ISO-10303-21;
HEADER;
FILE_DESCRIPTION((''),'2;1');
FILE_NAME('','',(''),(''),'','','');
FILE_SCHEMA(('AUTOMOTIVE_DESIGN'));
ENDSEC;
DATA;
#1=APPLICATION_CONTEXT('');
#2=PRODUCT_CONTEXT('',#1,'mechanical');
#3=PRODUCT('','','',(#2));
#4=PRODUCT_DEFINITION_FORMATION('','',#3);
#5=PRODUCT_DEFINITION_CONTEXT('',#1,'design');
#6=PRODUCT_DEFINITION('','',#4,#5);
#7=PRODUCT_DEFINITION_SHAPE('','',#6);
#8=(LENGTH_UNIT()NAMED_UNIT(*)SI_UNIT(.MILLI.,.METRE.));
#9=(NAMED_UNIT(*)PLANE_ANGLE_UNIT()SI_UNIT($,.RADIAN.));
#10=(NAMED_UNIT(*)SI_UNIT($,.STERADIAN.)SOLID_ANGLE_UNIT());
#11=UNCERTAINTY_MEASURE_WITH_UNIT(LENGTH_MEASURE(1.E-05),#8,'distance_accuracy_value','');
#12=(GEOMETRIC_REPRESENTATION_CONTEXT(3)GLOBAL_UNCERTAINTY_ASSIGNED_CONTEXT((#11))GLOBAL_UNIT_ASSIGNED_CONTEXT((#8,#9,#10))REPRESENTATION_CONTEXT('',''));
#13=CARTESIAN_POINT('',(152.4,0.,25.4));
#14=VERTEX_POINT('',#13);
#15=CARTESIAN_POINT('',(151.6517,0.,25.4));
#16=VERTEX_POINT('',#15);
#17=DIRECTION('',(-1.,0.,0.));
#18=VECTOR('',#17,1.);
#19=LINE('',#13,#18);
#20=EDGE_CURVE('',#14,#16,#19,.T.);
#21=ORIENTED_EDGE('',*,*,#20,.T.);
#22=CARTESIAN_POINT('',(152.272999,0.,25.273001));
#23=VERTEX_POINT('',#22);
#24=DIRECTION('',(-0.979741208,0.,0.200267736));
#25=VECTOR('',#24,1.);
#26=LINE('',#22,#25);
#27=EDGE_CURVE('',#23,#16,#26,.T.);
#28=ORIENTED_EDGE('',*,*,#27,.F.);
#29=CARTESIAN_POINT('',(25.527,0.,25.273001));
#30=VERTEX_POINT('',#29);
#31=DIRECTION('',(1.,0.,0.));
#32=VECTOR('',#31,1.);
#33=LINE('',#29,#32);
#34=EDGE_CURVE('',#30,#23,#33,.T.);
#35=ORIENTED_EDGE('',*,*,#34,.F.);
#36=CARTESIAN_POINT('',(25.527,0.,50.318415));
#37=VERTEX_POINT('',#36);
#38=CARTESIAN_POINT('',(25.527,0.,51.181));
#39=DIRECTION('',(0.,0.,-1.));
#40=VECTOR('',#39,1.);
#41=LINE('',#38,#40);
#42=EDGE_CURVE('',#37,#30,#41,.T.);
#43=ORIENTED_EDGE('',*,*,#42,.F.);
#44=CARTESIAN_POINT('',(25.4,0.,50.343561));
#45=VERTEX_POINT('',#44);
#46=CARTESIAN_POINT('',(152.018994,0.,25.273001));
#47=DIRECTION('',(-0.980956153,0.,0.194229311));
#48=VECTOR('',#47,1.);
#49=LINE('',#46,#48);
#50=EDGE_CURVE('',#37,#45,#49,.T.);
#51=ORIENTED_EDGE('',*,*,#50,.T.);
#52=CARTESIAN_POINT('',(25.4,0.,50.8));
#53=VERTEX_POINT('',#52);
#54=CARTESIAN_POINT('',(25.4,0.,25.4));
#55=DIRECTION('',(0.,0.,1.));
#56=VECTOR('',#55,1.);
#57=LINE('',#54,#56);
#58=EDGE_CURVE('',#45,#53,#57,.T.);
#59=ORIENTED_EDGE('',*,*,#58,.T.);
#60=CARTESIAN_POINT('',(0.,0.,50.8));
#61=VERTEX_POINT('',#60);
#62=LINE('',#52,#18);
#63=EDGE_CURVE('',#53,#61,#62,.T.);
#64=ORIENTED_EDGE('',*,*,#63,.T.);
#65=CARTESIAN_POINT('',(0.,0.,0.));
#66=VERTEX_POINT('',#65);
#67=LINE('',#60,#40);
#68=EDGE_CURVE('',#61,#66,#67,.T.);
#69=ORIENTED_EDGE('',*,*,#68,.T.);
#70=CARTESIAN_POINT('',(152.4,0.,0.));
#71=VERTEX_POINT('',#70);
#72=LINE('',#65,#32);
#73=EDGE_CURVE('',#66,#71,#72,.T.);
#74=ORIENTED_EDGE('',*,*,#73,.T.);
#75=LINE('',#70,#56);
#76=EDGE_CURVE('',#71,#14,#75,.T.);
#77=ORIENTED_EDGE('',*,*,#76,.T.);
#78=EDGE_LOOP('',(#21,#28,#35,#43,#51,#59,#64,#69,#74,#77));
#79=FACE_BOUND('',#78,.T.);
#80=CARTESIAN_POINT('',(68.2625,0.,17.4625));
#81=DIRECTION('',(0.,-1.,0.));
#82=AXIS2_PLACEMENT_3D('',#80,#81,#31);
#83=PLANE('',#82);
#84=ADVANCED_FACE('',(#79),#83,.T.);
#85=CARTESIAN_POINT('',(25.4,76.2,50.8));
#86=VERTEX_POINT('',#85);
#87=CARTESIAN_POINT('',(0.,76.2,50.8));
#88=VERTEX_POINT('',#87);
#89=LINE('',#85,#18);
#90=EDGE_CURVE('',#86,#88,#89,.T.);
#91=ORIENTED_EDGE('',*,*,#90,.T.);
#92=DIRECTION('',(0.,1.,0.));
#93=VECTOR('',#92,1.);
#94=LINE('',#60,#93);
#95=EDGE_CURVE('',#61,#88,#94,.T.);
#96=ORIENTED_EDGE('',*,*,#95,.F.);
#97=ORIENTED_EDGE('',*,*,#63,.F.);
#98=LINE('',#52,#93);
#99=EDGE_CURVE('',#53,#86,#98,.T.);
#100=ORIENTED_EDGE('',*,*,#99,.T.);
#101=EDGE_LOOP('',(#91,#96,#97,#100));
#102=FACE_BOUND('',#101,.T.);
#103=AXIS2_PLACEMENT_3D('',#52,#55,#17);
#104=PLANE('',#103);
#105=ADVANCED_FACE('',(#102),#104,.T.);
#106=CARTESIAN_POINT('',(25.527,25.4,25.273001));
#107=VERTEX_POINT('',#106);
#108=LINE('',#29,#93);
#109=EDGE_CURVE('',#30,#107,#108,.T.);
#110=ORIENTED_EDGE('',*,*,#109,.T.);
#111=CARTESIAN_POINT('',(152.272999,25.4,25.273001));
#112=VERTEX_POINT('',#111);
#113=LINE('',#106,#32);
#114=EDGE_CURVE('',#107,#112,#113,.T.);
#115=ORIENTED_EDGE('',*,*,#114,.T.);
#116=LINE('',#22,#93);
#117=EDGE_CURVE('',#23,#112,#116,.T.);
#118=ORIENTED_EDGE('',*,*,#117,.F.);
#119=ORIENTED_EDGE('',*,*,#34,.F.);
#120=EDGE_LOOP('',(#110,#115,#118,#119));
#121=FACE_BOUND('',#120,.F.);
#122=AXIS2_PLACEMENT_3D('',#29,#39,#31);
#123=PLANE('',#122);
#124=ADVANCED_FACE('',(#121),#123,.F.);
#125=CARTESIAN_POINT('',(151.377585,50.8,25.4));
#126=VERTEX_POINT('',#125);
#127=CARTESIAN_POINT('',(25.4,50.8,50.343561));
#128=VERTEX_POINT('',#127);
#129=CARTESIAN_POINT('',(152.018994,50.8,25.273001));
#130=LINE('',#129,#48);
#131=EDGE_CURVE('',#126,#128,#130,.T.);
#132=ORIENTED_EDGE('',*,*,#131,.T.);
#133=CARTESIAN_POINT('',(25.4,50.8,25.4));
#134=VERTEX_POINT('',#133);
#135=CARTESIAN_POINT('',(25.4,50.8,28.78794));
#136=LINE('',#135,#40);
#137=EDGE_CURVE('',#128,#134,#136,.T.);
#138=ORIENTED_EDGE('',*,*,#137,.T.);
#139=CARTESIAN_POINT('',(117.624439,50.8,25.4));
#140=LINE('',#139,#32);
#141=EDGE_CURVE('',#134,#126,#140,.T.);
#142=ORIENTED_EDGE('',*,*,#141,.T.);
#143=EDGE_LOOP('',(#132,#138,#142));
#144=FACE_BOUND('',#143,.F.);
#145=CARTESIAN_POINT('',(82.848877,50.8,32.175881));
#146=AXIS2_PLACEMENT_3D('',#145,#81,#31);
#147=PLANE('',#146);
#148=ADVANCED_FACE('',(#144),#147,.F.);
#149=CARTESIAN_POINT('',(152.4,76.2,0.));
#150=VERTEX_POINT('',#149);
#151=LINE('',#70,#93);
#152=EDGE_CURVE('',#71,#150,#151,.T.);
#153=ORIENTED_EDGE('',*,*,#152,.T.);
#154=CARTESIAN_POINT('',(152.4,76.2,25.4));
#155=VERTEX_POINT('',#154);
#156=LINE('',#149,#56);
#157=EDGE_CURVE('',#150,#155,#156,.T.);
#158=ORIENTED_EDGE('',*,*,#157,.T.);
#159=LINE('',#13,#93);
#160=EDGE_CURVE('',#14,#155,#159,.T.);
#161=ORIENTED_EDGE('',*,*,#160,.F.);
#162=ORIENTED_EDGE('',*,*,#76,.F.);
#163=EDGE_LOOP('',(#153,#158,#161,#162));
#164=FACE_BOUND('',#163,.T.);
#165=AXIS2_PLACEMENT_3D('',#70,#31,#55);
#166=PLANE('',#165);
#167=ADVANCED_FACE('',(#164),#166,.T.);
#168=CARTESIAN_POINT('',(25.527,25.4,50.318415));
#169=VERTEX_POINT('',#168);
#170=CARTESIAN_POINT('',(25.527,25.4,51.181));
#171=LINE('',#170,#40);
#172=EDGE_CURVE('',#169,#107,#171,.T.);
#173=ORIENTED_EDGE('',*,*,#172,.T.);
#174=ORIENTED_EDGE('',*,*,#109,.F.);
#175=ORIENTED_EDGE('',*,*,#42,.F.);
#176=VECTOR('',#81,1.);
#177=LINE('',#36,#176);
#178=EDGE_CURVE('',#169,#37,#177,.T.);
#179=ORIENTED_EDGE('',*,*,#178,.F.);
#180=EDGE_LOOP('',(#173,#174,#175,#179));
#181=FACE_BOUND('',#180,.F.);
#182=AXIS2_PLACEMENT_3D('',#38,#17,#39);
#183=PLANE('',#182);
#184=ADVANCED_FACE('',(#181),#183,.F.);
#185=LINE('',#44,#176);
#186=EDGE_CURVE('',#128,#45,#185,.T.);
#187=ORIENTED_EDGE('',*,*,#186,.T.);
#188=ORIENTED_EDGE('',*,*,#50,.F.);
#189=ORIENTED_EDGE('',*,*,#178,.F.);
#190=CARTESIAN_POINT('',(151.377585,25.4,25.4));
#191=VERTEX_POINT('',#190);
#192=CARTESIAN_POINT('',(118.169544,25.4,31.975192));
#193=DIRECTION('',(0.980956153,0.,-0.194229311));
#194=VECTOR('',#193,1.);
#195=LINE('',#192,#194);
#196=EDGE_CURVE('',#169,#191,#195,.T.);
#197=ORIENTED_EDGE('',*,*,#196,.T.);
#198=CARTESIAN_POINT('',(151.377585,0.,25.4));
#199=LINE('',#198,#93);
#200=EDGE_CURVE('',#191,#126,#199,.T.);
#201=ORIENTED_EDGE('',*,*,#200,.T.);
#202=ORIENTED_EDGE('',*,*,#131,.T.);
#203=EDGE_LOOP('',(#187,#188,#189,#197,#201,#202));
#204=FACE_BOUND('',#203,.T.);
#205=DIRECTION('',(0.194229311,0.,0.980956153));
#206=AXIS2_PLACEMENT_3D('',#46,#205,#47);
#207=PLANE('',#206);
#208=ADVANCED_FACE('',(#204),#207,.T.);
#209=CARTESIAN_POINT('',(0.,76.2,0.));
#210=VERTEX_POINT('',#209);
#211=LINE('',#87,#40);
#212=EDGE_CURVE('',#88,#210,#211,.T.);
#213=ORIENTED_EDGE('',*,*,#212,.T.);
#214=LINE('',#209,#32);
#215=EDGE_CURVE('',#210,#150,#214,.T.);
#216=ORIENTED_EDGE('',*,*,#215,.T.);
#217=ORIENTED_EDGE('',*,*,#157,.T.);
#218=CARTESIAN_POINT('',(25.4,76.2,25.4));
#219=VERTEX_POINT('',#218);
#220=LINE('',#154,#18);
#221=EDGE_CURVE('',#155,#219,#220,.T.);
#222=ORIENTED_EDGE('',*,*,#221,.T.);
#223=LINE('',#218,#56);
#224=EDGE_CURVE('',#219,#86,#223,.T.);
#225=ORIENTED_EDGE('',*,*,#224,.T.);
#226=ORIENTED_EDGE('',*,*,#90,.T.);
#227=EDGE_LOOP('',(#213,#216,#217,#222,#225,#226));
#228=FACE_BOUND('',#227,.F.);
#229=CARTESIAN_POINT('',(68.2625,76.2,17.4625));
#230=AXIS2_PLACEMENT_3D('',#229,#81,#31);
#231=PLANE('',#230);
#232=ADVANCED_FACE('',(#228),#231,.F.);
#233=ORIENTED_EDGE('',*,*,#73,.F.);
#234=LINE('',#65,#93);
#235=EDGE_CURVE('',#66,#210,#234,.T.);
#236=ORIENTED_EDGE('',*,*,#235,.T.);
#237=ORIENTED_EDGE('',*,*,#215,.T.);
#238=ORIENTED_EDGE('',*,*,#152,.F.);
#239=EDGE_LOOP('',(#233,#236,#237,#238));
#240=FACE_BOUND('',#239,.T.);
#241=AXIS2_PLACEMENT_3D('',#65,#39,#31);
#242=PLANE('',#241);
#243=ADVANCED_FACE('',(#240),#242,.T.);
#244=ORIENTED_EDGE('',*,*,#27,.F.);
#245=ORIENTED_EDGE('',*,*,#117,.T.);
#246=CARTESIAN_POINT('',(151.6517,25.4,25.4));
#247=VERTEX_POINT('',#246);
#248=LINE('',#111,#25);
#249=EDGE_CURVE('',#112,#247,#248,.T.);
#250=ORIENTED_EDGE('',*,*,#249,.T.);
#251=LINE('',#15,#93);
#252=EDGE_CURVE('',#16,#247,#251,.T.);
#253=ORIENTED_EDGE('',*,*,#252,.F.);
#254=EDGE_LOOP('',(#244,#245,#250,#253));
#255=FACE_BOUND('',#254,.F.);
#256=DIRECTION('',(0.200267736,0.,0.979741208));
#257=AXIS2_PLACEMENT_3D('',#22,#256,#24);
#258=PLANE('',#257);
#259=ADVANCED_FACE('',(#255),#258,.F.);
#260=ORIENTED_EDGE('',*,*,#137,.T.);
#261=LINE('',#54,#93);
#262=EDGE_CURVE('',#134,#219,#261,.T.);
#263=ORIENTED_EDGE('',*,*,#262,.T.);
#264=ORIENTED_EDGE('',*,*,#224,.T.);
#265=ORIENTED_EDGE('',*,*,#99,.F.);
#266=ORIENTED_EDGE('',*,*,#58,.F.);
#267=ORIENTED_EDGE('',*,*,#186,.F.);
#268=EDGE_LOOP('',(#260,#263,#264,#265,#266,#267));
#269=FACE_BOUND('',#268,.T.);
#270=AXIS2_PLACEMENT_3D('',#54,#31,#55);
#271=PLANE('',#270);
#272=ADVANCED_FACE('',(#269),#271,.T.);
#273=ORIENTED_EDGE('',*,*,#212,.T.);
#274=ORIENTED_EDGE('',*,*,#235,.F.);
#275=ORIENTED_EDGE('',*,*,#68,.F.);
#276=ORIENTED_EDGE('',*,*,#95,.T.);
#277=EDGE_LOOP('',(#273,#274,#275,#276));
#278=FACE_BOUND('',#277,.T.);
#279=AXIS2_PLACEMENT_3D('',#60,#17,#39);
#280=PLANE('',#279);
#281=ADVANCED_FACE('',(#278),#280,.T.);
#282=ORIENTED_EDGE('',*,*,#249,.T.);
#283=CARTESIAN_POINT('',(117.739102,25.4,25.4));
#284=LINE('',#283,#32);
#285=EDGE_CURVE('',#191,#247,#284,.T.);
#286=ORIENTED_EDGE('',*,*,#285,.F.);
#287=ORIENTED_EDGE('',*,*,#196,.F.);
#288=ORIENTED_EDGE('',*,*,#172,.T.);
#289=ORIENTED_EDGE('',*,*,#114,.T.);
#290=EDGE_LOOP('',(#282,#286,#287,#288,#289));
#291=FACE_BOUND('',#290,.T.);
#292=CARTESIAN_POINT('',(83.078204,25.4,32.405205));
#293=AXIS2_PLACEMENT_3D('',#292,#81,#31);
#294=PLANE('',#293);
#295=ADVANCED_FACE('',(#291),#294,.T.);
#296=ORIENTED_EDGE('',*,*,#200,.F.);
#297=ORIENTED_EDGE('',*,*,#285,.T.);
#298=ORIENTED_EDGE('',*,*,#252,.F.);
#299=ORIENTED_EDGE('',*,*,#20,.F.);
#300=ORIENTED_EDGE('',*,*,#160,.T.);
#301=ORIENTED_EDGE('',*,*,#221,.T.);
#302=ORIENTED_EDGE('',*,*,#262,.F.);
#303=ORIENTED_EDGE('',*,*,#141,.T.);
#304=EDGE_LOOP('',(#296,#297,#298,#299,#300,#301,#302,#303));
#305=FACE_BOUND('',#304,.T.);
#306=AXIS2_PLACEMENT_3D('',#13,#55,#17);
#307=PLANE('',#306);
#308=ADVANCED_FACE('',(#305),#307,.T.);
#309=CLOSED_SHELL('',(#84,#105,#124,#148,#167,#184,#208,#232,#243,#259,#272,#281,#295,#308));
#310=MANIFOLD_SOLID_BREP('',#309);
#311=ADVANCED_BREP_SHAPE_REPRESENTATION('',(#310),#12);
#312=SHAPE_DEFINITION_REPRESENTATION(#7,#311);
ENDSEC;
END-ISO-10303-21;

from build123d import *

# Parameters (mm, degrees)
F1_DEPTH = 76.2
F3_DEPTH = 50.8
F5_DEPTH = 25.4


with BuildPart() as f1:
    # F0 (on Front) → F1 (new body)
    with BuildSketch(Plane.XZ):
        Polygon((0, 50.8), (0, 0), (152.4, 0), (152.4, 25.4), (25.4, 25.4), (25.4, 50.8), align=None)
    extrude(amount=-F1_DEPTH)

    # F2 (on Front) → F3 (join)
    with BuildSketch(Plane.XZ):
        Polygon((25.018999, 50.418999), (25.018999, 25.273001), (152.018994, 25.273001), align=None)
    extrude(amount=-F3_DEPTH)

    # F4 (on Front) → F5 (cut)
    with BuildSketch(Plane.XZ):
        Polygon((152.272999, 25.273001), (25.527, 51.181), (25.527, 25.273001), (28.067, 25.273001), align=None)
    extrude(amount=-F5_DEPTH, mode=Mode.SUBTRACT)


solid = f1.part
